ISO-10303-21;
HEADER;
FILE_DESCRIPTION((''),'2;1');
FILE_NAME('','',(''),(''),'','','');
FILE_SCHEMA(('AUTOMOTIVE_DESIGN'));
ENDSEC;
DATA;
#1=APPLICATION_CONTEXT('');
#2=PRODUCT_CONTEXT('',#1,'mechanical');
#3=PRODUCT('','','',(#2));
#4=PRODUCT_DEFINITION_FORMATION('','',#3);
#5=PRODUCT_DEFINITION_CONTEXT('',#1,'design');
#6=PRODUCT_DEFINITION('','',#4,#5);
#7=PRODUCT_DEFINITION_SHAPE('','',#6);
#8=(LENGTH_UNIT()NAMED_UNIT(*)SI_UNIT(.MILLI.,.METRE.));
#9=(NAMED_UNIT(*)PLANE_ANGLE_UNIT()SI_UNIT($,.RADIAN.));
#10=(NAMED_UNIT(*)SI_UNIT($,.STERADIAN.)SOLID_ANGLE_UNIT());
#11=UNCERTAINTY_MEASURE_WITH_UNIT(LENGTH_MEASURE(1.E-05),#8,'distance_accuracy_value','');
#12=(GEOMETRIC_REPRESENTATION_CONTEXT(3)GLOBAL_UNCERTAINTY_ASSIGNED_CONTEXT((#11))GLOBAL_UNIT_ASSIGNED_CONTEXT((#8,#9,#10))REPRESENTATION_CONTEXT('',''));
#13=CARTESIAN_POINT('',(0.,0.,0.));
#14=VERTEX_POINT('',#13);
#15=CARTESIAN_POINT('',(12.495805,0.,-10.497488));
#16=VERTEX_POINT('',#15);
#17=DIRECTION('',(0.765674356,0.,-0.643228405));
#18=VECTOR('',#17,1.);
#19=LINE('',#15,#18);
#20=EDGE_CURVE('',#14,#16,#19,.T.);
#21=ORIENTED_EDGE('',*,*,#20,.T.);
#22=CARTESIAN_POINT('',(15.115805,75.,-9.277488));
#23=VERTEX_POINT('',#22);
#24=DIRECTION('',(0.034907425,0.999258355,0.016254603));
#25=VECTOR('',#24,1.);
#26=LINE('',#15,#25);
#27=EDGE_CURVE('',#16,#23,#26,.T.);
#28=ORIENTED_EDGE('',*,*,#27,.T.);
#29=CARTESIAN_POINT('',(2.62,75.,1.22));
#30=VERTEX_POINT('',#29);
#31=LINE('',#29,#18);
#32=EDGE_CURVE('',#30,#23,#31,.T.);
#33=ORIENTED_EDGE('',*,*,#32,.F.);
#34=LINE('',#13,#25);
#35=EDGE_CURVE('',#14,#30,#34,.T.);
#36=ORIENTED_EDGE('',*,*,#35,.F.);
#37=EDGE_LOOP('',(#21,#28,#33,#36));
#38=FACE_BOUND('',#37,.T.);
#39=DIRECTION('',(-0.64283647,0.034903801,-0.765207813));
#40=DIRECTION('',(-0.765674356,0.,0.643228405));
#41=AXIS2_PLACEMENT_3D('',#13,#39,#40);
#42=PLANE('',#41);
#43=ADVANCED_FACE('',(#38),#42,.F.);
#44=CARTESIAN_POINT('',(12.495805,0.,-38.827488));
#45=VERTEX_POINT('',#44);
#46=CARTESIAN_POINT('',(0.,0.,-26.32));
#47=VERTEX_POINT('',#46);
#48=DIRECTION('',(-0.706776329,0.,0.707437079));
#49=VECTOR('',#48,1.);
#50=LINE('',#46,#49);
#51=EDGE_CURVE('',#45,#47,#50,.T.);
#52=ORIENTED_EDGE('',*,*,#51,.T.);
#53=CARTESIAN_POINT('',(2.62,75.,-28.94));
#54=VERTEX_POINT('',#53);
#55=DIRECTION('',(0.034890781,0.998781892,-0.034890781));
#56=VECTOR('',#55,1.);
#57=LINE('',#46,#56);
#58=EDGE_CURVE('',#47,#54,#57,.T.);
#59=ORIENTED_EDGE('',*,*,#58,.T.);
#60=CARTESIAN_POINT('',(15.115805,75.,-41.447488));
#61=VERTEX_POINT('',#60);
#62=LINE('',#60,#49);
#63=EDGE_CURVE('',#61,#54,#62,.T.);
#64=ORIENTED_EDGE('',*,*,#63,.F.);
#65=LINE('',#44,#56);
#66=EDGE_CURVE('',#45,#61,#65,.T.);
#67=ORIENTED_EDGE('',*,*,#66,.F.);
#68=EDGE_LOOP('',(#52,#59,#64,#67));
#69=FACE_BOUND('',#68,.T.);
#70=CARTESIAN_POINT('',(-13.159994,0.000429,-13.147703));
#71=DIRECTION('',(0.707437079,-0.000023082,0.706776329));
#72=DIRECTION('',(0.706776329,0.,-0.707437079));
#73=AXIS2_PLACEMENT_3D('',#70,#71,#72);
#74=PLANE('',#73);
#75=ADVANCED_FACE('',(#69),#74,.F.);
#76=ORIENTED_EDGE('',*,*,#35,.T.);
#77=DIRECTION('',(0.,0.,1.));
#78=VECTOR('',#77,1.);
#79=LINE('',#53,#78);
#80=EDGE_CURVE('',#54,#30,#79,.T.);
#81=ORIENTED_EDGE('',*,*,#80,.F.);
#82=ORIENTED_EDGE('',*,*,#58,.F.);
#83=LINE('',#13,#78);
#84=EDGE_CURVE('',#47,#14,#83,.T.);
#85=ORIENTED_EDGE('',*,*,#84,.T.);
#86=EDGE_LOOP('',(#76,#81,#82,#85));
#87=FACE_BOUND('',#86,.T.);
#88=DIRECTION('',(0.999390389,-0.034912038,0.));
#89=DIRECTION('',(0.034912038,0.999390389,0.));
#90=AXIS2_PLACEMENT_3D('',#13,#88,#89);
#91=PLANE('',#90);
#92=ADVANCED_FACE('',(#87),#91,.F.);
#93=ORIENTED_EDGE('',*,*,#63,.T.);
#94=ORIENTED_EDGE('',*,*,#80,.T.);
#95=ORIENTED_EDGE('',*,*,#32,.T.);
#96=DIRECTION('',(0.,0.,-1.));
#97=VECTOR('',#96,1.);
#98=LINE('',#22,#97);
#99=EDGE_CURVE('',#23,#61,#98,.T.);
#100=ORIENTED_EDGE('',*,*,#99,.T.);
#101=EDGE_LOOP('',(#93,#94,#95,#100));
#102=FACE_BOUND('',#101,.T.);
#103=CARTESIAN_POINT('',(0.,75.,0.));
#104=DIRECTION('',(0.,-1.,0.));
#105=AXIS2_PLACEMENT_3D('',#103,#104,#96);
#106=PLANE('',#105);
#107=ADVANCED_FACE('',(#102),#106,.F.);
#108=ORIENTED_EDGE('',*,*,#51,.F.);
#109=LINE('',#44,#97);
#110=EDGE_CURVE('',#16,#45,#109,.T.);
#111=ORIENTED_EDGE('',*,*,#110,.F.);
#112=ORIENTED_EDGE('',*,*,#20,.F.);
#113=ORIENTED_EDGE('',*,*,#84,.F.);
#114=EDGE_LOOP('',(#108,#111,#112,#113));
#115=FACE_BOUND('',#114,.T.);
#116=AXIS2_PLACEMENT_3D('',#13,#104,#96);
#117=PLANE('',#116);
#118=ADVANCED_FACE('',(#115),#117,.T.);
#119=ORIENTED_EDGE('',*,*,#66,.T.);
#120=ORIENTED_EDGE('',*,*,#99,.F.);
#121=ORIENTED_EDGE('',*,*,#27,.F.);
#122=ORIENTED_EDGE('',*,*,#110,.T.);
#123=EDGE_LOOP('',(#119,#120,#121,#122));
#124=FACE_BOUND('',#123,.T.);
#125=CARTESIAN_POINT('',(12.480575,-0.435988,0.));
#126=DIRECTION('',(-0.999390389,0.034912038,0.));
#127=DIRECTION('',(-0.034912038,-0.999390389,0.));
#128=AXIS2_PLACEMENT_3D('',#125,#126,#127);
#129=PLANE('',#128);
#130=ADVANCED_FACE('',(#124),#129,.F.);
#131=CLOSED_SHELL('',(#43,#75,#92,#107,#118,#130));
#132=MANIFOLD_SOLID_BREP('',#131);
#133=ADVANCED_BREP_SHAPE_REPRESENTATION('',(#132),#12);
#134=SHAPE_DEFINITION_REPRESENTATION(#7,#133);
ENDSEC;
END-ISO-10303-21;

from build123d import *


with BuildPart() as part:
    # Croquis1 → Recubrir1 section 0
    with BuildSketch(Plane(origin=(0, 0, 0), x_dir=(1, 0, 0), z_dir=(0, 1, 0))):
        Polygon((0, 0), (0, 26.32), (12.495805492, 38.827487562), (12.495805492, 10.497487562), align=None)
    # Croquis2 → Recubrir1 section 1
    with BuildSketch(Plane(origin=(0, 75, 0), x_dir=(1, 0, 0), z_dir=(0, 1, 0))):
        Polygon((2.62, -1.22), (15.115805492, 9.277487562), (15.115805492, 41.447487562), (2.62, 28.94), align=None)
    loft()


solid = part.part
